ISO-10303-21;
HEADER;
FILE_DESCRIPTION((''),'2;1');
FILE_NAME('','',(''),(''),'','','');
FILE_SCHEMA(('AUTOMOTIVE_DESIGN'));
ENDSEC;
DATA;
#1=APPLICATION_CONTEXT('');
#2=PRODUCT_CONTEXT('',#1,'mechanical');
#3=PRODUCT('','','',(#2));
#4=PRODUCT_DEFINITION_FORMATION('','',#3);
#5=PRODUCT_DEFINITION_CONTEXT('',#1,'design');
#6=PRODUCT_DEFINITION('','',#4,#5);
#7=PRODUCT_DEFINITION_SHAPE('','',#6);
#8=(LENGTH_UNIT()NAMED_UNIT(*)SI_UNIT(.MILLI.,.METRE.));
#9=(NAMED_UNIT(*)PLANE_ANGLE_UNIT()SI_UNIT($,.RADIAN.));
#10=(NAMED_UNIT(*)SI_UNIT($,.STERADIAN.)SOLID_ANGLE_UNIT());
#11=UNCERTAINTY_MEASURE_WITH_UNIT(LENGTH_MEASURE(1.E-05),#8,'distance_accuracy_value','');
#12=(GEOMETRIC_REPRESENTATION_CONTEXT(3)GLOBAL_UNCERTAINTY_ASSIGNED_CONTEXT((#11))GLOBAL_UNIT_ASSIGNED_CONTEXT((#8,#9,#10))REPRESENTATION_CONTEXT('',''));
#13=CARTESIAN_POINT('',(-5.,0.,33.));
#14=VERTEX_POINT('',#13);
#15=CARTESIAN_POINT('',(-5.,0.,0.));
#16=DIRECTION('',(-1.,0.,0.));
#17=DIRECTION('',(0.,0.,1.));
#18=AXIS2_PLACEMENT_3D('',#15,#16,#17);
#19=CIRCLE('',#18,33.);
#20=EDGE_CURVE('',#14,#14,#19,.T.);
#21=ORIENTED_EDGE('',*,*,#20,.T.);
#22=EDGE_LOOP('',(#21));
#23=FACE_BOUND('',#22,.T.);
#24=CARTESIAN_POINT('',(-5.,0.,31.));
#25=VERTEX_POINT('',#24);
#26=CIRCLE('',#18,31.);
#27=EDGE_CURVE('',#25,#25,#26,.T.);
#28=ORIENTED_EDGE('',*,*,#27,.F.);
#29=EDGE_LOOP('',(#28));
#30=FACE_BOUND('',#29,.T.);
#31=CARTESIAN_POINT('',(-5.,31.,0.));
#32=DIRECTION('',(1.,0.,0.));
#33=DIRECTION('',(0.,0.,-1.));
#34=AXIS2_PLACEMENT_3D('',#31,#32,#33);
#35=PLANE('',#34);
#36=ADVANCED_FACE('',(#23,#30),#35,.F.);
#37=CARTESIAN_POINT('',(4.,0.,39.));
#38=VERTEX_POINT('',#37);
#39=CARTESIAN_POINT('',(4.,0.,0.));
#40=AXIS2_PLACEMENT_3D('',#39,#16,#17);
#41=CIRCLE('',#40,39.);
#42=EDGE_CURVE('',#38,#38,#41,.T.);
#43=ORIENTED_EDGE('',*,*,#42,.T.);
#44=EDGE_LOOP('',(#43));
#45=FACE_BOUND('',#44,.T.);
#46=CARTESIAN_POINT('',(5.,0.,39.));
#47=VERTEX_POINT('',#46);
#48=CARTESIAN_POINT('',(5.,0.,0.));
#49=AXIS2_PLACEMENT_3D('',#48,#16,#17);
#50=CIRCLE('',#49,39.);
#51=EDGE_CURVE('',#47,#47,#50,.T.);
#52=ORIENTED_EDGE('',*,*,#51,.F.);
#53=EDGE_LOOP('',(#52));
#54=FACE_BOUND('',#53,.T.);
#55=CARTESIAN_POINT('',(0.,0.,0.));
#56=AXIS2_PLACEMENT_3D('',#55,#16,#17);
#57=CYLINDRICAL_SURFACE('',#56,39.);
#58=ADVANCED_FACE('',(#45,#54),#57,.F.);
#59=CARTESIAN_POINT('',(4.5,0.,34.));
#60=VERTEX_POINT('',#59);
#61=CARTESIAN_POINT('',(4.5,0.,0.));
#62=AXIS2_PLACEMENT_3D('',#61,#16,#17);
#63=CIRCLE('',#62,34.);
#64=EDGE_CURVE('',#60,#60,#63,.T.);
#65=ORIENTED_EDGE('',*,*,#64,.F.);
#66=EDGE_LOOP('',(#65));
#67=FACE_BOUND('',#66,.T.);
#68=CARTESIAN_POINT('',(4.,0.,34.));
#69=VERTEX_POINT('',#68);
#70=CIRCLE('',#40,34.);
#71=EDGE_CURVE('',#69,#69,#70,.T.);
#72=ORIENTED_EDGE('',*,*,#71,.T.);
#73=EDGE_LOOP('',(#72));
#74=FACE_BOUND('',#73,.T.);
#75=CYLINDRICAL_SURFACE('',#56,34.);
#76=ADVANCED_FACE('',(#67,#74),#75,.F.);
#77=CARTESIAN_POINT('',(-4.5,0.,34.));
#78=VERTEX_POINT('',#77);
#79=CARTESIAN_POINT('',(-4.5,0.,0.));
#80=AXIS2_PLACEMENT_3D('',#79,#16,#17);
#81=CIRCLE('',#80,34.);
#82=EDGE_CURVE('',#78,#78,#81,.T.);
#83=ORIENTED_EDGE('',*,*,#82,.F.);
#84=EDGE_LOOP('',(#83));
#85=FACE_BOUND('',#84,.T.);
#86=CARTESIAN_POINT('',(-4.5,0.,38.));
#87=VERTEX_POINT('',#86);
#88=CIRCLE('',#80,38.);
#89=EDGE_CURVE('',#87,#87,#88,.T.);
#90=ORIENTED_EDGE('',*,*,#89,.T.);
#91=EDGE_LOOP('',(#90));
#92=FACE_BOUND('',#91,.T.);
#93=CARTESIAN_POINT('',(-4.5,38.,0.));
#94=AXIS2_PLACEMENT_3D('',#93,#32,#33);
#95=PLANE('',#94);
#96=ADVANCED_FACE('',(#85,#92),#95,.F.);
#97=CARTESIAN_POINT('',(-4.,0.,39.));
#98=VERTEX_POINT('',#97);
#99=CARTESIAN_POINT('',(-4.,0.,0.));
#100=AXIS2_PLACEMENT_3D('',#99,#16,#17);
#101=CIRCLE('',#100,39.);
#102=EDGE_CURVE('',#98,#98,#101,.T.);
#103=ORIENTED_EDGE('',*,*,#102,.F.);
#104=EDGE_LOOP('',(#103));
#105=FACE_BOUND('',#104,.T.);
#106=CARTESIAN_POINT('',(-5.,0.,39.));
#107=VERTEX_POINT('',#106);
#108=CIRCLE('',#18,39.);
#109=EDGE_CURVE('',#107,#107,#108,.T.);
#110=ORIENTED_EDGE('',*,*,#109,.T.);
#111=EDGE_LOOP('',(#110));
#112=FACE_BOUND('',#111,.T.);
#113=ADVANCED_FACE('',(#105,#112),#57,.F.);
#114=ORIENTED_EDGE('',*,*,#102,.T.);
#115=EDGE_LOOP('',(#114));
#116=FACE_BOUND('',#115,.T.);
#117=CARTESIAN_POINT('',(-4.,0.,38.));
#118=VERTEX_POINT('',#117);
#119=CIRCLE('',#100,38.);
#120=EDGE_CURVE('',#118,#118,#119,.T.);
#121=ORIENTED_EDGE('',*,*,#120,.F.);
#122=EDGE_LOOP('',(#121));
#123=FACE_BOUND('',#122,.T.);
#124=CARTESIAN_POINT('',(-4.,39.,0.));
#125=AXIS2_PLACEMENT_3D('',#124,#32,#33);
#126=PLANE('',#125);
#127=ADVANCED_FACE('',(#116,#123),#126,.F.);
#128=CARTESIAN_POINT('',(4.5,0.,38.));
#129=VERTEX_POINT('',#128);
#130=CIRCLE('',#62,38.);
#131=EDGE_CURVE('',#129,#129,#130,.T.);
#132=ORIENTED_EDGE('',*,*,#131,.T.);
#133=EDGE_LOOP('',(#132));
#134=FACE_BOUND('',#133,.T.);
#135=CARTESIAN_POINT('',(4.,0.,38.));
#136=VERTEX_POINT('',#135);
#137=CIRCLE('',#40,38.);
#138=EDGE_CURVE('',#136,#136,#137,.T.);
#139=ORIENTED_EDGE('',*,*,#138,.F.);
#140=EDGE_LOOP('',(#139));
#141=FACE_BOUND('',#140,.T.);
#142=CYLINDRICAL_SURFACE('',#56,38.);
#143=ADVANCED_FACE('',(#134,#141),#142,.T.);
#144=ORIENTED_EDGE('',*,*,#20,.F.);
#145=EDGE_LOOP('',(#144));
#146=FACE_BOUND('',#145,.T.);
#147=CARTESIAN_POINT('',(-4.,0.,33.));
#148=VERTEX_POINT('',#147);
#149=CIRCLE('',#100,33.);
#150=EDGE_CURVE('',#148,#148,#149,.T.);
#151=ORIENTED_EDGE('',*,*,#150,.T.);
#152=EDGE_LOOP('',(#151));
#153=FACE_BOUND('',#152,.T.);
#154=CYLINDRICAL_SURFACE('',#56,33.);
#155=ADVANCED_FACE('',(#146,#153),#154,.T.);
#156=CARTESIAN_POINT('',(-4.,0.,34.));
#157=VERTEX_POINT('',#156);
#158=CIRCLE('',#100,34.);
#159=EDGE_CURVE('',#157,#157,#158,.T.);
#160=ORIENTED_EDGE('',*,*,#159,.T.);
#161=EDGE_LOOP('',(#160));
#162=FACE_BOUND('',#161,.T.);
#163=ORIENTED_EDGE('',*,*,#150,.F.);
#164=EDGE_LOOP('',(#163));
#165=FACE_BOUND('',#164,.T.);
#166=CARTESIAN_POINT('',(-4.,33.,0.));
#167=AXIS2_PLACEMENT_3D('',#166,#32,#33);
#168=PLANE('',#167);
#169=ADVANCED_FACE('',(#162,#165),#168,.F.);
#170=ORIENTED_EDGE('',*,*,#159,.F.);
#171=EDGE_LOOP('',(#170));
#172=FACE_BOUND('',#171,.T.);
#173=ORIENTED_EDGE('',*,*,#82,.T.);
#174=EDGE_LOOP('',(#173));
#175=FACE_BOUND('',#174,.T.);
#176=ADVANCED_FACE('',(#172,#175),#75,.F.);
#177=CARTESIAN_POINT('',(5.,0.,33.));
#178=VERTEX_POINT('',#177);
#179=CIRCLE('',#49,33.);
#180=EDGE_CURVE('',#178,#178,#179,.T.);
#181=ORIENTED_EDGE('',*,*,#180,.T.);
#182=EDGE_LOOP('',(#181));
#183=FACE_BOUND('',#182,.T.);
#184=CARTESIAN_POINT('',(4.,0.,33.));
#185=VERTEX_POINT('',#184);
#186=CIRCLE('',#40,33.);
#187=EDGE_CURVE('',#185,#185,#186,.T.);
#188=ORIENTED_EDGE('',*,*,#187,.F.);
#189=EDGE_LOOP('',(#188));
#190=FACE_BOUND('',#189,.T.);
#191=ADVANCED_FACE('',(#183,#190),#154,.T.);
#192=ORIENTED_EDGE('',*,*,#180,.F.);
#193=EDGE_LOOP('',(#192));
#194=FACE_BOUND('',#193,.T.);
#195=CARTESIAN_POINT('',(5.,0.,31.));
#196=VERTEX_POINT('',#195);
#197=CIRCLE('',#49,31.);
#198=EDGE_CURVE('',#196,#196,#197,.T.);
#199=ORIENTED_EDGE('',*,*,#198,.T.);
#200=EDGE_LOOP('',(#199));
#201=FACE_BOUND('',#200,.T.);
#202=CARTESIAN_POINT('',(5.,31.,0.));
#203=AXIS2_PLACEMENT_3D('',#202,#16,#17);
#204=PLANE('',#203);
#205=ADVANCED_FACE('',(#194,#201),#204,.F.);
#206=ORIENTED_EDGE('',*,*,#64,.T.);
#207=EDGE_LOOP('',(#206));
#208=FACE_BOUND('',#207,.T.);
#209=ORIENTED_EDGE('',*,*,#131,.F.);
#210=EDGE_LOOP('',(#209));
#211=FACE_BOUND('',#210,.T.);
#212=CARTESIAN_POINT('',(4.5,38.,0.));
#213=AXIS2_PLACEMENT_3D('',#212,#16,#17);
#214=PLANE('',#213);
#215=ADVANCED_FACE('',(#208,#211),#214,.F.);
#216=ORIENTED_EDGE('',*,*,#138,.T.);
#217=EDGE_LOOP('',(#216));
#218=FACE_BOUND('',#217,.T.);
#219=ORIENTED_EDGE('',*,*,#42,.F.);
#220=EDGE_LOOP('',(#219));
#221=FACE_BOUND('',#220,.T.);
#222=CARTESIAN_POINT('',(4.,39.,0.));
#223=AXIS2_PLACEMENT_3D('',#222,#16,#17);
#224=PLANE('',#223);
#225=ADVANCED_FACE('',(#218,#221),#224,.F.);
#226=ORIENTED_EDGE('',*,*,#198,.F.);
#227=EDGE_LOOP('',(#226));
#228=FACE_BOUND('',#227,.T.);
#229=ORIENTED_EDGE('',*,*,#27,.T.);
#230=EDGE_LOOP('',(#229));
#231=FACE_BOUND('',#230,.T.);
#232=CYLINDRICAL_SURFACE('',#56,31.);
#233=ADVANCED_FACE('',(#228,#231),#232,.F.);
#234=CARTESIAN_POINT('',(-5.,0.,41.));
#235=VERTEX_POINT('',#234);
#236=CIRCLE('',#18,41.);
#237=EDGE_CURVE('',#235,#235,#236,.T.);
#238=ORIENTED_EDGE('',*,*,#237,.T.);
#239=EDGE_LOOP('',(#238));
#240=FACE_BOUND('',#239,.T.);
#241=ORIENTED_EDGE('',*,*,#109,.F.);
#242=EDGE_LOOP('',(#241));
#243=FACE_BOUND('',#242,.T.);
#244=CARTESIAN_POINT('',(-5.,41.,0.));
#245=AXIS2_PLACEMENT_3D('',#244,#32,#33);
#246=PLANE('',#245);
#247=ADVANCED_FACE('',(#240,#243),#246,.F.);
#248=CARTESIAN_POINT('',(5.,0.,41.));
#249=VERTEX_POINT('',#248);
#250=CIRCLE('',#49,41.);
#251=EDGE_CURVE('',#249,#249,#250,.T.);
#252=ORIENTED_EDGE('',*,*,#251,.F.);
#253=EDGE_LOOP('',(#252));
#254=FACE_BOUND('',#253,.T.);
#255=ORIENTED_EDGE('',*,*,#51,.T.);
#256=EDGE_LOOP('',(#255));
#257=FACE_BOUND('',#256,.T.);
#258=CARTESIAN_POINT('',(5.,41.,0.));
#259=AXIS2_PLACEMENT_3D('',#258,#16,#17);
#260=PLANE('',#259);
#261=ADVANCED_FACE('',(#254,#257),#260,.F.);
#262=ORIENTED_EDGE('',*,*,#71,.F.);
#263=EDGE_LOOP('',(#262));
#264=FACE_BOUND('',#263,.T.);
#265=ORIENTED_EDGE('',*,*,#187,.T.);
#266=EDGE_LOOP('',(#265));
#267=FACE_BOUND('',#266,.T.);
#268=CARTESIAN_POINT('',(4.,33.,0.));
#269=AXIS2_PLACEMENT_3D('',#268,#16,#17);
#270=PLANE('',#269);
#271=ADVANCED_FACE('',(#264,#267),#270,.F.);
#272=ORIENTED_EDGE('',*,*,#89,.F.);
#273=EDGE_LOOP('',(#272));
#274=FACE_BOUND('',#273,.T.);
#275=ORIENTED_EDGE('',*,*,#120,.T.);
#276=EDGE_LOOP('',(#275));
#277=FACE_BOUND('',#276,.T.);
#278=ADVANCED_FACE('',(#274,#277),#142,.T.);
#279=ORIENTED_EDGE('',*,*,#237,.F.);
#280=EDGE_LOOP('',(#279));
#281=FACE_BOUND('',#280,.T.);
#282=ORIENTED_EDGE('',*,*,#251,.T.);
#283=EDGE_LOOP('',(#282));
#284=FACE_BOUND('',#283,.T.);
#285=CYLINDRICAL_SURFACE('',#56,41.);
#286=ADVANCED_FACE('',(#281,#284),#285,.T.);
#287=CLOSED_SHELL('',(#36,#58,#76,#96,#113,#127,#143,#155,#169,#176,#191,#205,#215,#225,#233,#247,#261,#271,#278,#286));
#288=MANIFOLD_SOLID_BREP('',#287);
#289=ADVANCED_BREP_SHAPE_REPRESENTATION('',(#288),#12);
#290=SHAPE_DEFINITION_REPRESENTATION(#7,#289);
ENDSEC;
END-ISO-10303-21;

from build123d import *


with BuildPart() as part:
    # Sketch1 → Revolve1 (revolve)
    with BuildSketch(Plane.XY, mode=Mode.PRIVATE) as revolve1_sk:
        Polygon((-5, 41), (5, 41), (5, 39), (4, 39), (4, 38), (4.5, 38), (4.5, 34), (4, 34), (4, 33), (5, 33), (5, 31), (-5, 31), (-5, 33), (-4, 33), (-4, 34), (-4.5, 34), (-4.5, 38), (-4, 38), (-4, 39), (-5, 39), align=None)
    revolve(revolve1_sk.sketch.rotate(Axis((0, 0, 0), (1, 0, 0)), 90), axis=Axis((0, 0, 0), (1, 0, 0)))


solid = part.part
